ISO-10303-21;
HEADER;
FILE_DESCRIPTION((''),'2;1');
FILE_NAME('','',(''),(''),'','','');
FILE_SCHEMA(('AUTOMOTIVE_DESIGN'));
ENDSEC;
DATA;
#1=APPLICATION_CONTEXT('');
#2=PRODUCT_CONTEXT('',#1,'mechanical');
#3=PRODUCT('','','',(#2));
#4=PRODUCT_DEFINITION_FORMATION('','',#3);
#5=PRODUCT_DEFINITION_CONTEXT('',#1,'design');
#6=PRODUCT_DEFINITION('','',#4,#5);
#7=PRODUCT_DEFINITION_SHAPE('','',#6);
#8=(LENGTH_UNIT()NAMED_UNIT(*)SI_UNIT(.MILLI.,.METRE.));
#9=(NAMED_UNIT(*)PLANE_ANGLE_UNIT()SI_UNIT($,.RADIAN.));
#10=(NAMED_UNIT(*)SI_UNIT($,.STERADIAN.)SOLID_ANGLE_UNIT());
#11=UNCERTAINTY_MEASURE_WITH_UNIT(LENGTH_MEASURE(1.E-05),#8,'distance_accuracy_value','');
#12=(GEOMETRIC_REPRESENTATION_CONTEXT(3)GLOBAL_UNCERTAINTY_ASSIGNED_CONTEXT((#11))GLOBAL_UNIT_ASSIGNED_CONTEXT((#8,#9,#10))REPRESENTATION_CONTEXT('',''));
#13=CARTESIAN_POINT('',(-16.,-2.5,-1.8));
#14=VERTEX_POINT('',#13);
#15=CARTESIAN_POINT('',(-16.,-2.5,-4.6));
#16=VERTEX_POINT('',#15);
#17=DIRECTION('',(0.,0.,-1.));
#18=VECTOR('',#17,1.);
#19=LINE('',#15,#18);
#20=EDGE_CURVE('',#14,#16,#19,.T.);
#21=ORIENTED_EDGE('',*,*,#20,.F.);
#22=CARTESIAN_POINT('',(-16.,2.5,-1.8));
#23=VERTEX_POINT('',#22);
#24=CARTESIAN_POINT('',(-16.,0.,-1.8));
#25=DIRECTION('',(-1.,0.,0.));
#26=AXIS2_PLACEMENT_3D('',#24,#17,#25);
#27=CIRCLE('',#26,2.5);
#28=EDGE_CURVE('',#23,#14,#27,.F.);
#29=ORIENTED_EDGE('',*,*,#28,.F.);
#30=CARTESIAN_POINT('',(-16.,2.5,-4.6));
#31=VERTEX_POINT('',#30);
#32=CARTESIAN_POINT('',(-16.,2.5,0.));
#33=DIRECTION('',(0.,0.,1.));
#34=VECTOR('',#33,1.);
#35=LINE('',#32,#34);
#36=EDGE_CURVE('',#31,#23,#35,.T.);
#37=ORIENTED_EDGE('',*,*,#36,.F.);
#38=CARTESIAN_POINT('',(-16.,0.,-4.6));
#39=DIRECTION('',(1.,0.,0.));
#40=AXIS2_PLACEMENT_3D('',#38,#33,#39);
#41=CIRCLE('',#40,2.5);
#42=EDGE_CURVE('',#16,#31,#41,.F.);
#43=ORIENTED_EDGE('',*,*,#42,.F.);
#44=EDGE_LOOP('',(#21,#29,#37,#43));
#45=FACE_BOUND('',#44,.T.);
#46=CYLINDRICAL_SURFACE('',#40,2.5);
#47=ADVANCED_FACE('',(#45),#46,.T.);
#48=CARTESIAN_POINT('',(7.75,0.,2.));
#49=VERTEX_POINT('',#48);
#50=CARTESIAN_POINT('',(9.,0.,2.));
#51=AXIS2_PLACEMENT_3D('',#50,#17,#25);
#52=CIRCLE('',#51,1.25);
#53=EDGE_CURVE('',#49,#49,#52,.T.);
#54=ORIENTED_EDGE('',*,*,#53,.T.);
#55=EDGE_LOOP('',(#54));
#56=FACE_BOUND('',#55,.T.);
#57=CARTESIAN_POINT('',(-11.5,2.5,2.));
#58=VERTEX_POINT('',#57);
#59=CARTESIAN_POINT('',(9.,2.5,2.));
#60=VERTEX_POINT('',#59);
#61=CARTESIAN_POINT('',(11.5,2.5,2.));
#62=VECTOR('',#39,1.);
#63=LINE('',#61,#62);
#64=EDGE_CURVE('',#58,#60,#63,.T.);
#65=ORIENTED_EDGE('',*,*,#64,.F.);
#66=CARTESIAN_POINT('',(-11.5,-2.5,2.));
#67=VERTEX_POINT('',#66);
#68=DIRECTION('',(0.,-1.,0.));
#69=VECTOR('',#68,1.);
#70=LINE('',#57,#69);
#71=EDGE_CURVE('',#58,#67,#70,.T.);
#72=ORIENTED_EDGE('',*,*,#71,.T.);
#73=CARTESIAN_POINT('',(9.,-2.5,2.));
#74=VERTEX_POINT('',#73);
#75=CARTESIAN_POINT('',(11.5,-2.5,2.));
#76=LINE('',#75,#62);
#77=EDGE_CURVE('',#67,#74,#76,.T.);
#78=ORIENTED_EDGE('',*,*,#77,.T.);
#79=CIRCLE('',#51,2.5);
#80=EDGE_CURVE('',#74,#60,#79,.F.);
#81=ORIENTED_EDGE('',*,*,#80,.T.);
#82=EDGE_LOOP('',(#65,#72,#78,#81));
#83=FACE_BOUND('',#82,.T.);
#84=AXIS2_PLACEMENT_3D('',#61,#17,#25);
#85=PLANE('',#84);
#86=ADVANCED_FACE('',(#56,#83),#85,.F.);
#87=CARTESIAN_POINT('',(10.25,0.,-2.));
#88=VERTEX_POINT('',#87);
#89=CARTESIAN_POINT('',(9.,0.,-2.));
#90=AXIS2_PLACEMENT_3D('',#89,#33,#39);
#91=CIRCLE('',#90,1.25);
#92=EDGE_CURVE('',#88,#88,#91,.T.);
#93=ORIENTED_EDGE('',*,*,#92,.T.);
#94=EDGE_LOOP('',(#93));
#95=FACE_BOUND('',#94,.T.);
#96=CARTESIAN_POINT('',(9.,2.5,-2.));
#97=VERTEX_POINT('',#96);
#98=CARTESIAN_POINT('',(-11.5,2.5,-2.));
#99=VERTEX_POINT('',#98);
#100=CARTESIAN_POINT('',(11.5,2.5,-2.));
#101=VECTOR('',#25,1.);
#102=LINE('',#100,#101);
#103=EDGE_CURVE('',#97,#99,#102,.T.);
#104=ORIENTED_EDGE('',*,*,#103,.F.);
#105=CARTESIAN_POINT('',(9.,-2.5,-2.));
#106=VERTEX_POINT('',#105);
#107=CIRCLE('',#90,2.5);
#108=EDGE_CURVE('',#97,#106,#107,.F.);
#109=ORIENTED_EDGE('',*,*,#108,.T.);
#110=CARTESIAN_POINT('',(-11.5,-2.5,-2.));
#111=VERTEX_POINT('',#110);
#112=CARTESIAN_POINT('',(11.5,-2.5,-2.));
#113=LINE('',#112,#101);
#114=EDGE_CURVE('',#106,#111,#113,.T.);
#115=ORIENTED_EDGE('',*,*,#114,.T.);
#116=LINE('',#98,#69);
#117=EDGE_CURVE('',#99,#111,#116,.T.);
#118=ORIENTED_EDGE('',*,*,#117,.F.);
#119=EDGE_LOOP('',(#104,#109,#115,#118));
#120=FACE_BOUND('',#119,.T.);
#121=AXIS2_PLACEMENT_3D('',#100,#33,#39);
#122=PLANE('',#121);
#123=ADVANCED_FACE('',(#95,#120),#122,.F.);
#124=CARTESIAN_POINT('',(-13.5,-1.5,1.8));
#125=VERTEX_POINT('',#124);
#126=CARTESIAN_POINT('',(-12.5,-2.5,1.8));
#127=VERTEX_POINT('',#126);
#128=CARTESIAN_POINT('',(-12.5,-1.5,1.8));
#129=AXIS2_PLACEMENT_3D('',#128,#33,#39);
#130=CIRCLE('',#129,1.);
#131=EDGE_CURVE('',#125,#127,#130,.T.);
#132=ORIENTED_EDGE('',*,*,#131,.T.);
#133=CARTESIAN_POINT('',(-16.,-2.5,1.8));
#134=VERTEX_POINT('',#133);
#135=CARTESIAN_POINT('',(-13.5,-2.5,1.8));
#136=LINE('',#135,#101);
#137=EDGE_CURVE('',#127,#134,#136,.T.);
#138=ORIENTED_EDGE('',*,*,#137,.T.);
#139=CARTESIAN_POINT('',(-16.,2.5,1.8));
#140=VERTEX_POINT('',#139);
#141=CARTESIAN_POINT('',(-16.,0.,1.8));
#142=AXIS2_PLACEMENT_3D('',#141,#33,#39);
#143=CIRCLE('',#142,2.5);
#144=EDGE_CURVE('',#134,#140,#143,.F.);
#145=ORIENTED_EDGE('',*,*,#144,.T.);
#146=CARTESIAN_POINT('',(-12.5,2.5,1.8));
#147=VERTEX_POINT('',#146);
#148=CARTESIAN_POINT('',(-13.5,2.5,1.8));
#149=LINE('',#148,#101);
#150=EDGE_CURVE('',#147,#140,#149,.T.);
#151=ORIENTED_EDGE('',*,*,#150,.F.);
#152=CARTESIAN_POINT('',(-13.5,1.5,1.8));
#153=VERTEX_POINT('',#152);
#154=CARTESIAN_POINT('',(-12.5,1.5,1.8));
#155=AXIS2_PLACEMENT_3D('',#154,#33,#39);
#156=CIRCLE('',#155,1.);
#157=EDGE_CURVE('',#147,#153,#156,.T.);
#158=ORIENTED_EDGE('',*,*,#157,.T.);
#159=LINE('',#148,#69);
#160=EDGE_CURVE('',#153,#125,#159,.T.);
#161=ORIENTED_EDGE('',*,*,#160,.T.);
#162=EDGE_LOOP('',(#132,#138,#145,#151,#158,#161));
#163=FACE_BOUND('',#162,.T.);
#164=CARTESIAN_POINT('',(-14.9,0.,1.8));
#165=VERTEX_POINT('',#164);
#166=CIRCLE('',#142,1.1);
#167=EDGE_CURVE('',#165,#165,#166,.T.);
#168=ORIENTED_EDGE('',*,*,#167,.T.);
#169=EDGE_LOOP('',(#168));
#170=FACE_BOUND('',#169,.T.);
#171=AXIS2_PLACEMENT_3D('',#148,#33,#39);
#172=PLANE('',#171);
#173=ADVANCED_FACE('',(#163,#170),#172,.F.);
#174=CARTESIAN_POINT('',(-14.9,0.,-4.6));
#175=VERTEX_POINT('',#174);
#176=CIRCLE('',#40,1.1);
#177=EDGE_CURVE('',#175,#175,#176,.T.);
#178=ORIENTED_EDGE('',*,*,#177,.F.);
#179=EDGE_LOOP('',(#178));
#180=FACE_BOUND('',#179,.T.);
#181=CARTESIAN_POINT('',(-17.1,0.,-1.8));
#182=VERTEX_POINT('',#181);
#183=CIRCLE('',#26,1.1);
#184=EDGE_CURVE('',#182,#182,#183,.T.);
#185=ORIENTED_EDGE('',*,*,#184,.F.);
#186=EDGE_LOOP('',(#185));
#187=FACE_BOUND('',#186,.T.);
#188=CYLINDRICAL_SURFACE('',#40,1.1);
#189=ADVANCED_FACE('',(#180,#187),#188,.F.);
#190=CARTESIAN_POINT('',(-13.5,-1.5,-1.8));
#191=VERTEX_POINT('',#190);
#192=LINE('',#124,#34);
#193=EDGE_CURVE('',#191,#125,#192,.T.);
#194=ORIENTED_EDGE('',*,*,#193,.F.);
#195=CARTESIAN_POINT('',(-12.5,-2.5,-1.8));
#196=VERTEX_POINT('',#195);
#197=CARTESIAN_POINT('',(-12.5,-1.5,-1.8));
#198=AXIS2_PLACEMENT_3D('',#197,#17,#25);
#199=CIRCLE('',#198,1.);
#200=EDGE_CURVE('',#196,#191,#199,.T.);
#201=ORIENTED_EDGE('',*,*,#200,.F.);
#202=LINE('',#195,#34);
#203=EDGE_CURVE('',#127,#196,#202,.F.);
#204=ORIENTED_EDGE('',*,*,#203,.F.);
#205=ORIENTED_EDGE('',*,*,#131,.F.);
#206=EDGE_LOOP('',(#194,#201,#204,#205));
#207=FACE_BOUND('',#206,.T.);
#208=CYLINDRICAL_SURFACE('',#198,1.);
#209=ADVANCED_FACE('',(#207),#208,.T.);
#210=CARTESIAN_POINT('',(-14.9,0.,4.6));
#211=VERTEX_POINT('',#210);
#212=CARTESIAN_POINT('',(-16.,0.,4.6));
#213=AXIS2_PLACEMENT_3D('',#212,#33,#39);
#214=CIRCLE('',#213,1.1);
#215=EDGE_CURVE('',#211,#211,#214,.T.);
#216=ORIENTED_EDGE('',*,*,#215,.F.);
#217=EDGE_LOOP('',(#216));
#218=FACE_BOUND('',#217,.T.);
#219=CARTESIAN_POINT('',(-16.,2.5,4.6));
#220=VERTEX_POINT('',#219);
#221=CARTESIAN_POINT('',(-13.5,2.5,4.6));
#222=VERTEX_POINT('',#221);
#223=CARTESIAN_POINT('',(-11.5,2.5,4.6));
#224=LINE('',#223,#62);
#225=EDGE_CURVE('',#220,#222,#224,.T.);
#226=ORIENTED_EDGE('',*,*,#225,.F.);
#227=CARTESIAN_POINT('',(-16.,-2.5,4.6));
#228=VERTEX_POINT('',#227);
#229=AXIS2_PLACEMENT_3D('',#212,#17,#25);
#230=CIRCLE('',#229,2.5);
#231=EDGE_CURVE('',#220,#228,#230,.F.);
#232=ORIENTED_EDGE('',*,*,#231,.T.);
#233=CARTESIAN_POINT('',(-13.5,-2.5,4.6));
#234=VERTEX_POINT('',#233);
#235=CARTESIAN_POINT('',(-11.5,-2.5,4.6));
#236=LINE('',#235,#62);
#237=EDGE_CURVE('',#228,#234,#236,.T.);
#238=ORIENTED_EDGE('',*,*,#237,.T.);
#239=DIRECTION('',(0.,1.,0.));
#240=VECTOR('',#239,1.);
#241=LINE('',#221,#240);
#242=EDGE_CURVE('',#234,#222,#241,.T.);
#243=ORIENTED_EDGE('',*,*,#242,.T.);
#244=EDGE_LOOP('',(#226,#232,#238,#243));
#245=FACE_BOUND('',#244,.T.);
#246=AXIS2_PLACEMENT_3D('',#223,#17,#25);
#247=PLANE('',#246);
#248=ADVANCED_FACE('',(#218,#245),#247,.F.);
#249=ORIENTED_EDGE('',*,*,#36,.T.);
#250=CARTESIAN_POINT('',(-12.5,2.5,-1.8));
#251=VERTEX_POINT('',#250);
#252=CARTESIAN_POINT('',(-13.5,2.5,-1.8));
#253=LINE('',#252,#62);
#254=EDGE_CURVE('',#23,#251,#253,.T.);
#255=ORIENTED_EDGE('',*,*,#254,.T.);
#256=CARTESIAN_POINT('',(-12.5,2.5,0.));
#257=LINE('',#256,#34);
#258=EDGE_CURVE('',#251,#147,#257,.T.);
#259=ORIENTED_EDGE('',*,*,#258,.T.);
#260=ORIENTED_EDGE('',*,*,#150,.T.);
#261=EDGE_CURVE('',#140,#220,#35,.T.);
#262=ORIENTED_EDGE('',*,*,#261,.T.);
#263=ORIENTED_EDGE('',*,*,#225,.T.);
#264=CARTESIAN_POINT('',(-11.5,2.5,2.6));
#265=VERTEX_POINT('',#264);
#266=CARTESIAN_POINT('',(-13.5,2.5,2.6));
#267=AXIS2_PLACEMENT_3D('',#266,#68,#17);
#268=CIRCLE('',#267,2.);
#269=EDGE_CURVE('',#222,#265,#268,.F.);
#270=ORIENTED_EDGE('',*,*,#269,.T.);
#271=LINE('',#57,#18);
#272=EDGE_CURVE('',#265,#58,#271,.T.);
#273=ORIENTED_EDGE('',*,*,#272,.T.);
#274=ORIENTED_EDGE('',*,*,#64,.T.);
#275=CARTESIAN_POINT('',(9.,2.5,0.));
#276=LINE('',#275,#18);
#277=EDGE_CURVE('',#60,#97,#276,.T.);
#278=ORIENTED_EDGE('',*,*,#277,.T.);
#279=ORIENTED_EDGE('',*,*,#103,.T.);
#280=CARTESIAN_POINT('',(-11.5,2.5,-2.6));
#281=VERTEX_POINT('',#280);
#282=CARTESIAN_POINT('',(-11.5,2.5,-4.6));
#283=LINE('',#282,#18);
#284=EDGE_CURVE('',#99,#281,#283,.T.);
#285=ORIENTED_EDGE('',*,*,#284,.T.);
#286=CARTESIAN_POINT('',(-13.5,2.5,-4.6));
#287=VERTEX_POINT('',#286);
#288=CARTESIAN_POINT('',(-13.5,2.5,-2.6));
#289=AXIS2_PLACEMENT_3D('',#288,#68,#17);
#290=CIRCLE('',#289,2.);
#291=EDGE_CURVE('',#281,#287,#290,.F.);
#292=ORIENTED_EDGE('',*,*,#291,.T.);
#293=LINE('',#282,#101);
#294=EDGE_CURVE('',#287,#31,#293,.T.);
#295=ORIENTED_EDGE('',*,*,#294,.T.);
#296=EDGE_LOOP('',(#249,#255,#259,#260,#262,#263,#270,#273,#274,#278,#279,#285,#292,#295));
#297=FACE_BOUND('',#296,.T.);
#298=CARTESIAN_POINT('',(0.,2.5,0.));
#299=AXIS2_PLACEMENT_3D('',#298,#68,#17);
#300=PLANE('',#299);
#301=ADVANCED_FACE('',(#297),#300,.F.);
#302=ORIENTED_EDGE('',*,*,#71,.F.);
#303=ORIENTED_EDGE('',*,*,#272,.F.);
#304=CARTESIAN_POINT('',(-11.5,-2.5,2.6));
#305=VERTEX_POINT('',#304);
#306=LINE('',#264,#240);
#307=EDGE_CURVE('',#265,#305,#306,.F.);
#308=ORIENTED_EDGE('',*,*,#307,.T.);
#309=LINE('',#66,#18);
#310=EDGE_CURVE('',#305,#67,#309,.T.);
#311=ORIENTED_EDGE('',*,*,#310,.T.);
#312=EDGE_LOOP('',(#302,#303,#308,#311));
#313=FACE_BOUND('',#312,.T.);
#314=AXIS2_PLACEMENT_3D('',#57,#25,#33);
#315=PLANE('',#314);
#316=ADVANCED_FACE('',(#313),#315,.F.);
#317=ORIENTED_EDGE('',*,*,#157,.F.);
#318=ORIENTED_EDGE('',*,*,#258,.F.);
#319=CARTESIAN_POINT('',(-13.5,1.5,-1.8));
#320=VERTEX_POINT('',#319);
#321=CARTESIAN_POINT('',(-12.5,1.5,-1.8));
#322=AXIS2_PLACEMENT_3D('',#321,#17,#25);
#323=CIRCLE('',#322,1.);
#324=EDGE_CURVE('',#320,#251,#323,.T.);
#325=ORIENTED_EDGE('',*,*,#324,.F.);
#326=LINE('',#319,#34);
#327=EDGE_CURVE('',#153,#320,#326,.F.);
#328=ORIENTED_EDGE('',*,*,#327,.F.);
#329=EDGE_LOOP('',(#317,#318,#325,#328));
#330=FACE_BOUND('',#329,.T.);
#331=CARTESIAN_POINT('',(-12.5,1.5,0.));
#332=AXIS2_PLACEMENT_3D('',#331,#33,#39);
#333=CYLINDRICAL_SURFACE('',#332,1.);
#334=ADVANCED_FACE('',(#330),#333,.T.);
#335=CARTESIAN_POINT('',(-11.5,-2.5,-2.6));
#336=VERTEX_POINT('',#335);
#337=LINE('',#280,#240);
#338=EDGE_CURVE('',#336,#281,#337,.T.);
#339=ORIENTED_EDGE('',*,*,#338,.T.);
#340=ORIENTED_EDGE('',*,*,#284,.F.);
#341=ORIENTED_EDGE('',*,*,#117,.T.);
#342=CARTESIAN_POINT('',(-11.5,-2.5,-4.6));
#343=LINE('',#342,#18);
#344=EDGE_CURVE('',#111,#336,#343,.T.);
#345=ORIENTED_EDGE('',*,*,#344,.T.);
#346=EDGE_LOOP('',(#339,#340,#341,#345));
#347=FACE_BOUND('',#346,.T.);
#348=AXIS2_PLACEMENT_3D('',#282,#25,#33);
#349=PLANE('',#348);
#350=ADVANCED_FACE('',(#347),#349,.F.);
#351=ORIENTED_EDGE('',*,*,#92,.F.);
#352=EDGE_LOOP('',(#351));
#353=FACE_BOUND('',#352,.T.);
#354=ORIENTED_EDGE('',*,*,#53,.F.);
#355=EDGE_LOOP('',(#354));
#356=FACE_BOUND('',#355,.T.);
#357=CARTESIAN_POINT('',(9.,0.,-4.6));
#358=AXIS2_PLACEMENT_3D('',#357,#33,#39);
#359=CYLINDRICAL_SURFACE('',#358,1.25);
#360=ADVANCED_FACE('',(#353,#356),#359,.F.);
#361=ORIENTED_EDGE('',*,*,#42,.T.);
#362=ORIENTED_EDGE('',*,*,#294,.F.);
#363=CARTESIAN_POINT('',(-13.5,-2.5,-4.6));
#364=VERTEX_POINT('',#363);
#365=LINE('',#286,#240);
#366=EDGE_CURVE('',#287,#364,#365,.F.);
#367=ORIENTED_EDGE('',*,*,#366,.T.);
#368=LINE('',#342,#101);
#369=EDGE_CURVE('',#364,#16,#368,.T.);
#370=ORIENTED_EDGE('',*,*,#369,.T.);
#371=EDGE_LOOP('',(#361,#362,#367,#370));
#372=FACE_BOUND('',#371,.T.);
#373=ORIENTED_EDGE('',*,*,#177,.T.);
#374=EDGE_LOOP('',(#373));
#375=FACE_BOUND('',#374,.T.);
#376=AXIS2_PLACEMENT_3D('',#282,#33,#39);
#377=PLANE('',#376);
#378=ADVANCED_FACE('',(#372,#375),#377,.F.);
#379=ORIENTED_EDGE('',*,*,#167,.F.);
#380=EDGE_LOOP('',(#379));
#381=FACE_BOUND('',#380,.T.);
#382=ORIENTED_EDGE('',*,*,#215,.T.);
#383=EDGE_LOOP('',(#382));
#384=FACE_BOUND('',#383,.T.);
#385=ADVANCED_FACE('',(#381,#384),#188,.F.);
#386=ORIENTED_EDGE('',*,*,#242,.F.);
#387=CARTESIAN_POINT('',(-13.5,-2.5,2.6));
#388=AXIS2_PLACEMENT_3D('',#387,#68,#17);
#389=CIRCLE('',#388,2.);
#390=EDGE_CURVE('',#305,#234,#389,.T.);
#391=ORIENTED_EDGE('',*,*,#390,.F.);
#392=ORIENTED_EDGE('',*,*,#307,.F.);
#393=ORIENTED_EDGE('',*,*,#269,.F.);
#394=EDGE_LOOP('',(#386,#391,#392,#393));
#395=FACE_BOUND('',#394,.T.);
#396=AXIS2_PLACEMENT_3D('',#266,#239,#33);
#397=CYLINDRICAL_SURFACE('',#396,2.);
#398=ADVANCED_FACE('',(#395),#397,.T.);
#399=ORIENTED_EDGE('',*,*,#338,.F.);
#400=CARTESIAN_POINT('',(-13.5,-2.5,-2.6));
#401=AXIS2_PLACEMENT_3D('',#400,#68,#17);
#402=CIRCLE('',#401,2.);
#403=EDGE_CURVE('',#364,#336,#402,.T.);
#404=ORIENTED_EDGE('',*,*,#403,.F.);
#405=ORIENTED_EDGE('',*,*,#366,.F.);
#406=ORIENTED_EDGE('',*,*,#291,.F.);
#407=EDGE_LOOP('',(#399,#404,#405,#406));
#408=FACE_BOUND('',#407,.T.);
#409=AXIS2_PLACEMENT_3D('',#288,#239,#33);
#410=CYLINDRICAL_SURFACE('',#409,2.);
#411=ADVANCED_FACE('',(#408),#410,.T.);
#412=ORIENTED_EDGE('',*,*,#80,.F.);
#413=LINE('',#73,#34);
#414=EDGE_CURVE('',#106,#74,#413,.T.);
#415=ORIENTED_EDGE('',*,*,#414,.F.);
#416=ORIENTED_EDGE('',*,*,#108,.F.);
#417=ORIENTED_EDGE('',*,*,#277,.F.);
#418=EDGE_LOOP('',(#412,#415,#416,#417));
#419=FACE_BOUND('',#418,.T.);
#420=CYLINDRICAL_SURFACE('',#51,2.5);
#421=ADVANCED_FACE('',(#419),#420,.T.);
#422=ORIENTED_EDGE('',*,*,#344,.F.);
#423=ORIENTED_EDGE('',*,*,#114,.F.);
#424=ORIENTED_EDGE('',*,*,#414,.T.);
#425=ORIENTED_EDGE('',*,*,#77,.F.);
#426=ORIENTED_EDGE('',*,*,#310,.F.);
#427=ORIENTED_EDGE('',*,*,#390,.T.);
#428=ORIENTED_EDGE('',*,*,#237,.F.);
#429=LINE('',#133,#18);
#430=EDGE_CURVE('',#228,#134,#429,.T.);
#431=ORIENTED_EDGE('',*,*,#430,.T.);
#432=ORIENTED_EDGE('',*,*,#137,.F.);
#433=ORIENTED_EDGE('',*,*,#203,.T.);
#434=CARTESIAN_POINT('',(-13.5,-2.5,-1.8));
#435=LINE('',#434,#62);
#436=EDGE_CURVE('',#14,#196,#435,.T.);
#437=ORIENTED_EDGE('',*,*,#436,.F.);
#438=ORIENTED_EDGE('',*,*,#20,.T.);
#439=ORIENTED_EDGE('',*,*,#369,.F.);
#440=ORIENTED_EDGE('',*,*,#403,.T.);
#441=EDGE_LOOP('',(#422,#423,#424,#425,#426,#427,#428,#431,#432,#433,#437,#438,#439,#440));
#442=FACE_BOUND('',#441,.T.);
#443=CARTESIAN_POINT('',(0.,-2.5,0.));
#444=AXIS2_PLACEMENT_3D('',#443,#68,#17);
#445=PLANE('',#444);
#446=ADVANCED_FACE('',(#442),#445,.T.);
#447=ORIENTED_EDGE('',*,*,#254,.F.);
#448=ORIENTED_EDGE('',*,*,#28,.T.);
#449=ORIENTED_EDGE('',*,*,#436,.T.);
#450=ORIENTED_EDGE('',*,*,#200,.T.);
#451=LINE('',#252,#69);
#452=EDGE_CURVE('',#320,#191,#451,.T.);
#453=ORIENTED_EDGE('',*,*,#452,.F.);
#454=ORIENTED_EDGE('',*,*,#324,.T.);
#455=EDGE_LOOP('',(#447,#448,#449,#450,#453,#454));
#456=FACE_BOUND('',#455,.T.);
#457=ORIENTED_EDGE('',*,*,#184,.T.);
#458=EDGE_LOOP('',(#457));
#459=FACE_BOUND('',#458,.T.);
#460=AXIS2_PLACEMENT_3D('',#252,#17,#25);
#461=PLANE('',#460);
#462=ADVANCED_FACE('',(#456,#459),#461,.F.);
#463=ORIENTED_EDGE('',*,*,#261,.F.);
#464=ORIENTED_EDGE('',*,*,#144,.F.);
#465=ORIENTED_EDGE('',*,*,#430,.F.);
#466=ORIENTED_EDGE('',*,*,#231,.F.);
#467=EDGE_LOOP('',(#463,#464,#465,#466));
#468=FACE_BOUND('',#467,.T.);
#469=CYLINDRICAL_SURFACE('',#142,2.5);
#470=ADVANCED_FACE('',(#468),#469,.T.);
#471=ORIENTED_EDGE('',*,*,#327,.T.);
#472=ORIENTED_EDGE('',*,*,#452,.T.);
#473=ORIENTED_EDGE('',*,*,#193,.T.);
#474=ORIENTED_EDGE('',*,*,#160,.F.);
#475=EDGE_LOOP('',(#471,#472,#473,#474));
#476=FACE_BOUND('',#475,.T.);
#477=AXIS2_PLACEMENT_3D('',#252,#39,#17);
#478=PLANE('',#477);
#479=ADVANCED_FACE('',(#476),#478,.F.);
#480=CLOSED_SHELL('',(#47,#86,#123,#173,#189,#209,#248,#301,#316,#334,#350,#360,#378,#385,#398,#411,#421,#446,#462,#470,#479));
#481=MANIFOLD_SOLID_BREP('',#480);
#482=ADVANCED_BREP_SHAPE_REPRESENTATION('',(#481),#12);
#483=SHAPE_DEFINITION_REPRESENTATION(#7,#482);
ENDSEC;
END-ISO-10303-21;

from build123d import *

# Parameters (mm, degrees)
BOSS_EXTRUDE1_DEPTH = 2.5
SKETCH2_R           = 1.1
SKETCH2_R_2         = 1.25
CUT_EXTRUDE1_DEPTH  = 21.81201576
FILLET3_RADIUS      = 2.5
FILLET3_LENGTH      = 2.8
FILLET4_RADIUS      = 2.5
FILLET4_LENGTH      = 2.8
FILLET5_RADIUS      = 2.5
FILLET5_LENGTH      = 4
FILLET6_R           = 2
FILLET7_R           = 2
FILLET8_R           = 1


with BuildPart() as part:
    # Sketch1 → Boss-Extrude1 (new, symmetric)
    with BuildSketch(Plane(origin=(0, 0, 0), x_dir=(1, 0, 0), z_dir=(0, 1, 0))):
        Polygon((11.5, 2), (-11.5, 2), (-11.5, 4.6), (-18.5, 4.6), (-18.5, 1.8), (-13.5, 1.8), (-13.5, -1.8), (-18.5, -1.8), (-18.5, -4.6), (-11.5, -4.6), (-11.5, -2), (11.5, -2), align=None)
    extrude(amount=BOSS_EXTRUDE1_DEPTH, both=True)

    # Sketch2 → Cut-Extrude1 (cut, through all)
    with BuildSketch(Plane.XY.offset(4.6)):
        with Locations((-16, 0)):
            Circle(SKETCH2_R)
        with Locations((9, 0)):
            Circle(SKETCH2_R_2)
    extrude(amount=-CUT_EXTRUDE1_DEPTH, mode=Mode.SUBTRACT)

    # Fillet3: full round fillet: the end face becomes a half cylinder, R = half its width
    fillet3_face = Plane((-18.5, 0, -3.2), x_dir=(0, 0, 1), z_dir=(-1, 0, 0))  # on the end face: x along it, z out of the body
    fillet3_slab = fillet3_face.offset(-FILLET3_RADIUS / 2) * Box(FILLET3_LENGTH, 2 * FILLET3_RADIUS, FILLET3_RADIUS, mode=Mode.PRIVATE)  # the body's end, R deep
    fillet3_round = Plane((-16, 0, -3.2), x_dir=(-1, 0, 0), z_dir=(0, 0, 1)) * Cylinder(FILLET3_RADIUS, FILLET3_LENGTH, mode=Mode.PRIVATE)  # its axis R under the face
    add(fillet3_slab - fillet3_round, mode=Mode.SUBTRACT)

    # Fillet4: full round fillet: the end face becomes a half cylinder, R = half its width
    fillet4_face = Plane((-18.5, 0, 3.2), x_dir=(0, 0, 1), z_dir=(-1, 0, 0))  # on the end face: x along it, z out of the body
    fillet4_slab = fillet4_face.offset(-FILLET4_RADIUS / 2) * Box(FILLET4_LENGTH, 2 * FILLET4_RADIUS, FILLET4_RADIUS, mode=Mode.PRIVATE)  # the body's end, R deep
    fillet4_round = Plane((-16, 0, 3.2), x_dir=(-1, 0, 0), z_dir=(0, 0, 1)) * Cylinder(FILLET4_RADIUS, FILLET4_LENGTH, mode=Mode.PRIVATE)  # its axis R under the face
    add(fillet4_slab - fillet4_round, mode=Mode.SUBTRACT)

    # Fillet5: full round fillet: the end face becomes a half cylinder, R = half its width
    fillet5_face = Plane((11.5, 0, 0), x_dir=(0, 0, 1), z_dir=(1, 0, 0))  # on the end face: x along it, z out of the body
    fillet5_slab = fillet5_face.offset(-FILLET5_RADIUS / 2) * Box(FILLET5_LENGTH, 2 * FILLET5_RADIUS, FILLET5_RADIUS, mode=Mode.PRIVATE)  # the body's end, R deep
    fillet5_round = Plane((9, 0, 0), x_dir=(1, 0, 0), z_dir=(0, 0, 1)) * Cylinder(FILLET5_RADIUS, FILLET5_LENGTH, mode=Mode.PRIVATE)  # its axis R under the face
    add(fillet5_slab - fillet5_round, mode=Mode.SUBTRACT)

    # Fillet6
    fillet6_edges = [part.edges().sort_by_distance(p)[0] for p in [
        (-11.5, 0, 4.6),
    ]]
    fillet(fillet6_edges, radius=FILLET6_R)

    # Fillet7
    fillet7_edges = [part.edges().sort_by_distance(p)[0] for p in [
        (-11.5, 0, -4.6),
    ]]
    fillet(fillet7_edges, radius=FILLET7_R)

    # Fillet8
    fillet8_edges = [part.edges().sort_by_distance(p)[0] for p in [
        (-13.5, -2.5, 0),
        (-13.5, 2.5, 0),
    ]]
    fillet(fillet8_edges, radius=FILLET8_R)


solid = part.part
